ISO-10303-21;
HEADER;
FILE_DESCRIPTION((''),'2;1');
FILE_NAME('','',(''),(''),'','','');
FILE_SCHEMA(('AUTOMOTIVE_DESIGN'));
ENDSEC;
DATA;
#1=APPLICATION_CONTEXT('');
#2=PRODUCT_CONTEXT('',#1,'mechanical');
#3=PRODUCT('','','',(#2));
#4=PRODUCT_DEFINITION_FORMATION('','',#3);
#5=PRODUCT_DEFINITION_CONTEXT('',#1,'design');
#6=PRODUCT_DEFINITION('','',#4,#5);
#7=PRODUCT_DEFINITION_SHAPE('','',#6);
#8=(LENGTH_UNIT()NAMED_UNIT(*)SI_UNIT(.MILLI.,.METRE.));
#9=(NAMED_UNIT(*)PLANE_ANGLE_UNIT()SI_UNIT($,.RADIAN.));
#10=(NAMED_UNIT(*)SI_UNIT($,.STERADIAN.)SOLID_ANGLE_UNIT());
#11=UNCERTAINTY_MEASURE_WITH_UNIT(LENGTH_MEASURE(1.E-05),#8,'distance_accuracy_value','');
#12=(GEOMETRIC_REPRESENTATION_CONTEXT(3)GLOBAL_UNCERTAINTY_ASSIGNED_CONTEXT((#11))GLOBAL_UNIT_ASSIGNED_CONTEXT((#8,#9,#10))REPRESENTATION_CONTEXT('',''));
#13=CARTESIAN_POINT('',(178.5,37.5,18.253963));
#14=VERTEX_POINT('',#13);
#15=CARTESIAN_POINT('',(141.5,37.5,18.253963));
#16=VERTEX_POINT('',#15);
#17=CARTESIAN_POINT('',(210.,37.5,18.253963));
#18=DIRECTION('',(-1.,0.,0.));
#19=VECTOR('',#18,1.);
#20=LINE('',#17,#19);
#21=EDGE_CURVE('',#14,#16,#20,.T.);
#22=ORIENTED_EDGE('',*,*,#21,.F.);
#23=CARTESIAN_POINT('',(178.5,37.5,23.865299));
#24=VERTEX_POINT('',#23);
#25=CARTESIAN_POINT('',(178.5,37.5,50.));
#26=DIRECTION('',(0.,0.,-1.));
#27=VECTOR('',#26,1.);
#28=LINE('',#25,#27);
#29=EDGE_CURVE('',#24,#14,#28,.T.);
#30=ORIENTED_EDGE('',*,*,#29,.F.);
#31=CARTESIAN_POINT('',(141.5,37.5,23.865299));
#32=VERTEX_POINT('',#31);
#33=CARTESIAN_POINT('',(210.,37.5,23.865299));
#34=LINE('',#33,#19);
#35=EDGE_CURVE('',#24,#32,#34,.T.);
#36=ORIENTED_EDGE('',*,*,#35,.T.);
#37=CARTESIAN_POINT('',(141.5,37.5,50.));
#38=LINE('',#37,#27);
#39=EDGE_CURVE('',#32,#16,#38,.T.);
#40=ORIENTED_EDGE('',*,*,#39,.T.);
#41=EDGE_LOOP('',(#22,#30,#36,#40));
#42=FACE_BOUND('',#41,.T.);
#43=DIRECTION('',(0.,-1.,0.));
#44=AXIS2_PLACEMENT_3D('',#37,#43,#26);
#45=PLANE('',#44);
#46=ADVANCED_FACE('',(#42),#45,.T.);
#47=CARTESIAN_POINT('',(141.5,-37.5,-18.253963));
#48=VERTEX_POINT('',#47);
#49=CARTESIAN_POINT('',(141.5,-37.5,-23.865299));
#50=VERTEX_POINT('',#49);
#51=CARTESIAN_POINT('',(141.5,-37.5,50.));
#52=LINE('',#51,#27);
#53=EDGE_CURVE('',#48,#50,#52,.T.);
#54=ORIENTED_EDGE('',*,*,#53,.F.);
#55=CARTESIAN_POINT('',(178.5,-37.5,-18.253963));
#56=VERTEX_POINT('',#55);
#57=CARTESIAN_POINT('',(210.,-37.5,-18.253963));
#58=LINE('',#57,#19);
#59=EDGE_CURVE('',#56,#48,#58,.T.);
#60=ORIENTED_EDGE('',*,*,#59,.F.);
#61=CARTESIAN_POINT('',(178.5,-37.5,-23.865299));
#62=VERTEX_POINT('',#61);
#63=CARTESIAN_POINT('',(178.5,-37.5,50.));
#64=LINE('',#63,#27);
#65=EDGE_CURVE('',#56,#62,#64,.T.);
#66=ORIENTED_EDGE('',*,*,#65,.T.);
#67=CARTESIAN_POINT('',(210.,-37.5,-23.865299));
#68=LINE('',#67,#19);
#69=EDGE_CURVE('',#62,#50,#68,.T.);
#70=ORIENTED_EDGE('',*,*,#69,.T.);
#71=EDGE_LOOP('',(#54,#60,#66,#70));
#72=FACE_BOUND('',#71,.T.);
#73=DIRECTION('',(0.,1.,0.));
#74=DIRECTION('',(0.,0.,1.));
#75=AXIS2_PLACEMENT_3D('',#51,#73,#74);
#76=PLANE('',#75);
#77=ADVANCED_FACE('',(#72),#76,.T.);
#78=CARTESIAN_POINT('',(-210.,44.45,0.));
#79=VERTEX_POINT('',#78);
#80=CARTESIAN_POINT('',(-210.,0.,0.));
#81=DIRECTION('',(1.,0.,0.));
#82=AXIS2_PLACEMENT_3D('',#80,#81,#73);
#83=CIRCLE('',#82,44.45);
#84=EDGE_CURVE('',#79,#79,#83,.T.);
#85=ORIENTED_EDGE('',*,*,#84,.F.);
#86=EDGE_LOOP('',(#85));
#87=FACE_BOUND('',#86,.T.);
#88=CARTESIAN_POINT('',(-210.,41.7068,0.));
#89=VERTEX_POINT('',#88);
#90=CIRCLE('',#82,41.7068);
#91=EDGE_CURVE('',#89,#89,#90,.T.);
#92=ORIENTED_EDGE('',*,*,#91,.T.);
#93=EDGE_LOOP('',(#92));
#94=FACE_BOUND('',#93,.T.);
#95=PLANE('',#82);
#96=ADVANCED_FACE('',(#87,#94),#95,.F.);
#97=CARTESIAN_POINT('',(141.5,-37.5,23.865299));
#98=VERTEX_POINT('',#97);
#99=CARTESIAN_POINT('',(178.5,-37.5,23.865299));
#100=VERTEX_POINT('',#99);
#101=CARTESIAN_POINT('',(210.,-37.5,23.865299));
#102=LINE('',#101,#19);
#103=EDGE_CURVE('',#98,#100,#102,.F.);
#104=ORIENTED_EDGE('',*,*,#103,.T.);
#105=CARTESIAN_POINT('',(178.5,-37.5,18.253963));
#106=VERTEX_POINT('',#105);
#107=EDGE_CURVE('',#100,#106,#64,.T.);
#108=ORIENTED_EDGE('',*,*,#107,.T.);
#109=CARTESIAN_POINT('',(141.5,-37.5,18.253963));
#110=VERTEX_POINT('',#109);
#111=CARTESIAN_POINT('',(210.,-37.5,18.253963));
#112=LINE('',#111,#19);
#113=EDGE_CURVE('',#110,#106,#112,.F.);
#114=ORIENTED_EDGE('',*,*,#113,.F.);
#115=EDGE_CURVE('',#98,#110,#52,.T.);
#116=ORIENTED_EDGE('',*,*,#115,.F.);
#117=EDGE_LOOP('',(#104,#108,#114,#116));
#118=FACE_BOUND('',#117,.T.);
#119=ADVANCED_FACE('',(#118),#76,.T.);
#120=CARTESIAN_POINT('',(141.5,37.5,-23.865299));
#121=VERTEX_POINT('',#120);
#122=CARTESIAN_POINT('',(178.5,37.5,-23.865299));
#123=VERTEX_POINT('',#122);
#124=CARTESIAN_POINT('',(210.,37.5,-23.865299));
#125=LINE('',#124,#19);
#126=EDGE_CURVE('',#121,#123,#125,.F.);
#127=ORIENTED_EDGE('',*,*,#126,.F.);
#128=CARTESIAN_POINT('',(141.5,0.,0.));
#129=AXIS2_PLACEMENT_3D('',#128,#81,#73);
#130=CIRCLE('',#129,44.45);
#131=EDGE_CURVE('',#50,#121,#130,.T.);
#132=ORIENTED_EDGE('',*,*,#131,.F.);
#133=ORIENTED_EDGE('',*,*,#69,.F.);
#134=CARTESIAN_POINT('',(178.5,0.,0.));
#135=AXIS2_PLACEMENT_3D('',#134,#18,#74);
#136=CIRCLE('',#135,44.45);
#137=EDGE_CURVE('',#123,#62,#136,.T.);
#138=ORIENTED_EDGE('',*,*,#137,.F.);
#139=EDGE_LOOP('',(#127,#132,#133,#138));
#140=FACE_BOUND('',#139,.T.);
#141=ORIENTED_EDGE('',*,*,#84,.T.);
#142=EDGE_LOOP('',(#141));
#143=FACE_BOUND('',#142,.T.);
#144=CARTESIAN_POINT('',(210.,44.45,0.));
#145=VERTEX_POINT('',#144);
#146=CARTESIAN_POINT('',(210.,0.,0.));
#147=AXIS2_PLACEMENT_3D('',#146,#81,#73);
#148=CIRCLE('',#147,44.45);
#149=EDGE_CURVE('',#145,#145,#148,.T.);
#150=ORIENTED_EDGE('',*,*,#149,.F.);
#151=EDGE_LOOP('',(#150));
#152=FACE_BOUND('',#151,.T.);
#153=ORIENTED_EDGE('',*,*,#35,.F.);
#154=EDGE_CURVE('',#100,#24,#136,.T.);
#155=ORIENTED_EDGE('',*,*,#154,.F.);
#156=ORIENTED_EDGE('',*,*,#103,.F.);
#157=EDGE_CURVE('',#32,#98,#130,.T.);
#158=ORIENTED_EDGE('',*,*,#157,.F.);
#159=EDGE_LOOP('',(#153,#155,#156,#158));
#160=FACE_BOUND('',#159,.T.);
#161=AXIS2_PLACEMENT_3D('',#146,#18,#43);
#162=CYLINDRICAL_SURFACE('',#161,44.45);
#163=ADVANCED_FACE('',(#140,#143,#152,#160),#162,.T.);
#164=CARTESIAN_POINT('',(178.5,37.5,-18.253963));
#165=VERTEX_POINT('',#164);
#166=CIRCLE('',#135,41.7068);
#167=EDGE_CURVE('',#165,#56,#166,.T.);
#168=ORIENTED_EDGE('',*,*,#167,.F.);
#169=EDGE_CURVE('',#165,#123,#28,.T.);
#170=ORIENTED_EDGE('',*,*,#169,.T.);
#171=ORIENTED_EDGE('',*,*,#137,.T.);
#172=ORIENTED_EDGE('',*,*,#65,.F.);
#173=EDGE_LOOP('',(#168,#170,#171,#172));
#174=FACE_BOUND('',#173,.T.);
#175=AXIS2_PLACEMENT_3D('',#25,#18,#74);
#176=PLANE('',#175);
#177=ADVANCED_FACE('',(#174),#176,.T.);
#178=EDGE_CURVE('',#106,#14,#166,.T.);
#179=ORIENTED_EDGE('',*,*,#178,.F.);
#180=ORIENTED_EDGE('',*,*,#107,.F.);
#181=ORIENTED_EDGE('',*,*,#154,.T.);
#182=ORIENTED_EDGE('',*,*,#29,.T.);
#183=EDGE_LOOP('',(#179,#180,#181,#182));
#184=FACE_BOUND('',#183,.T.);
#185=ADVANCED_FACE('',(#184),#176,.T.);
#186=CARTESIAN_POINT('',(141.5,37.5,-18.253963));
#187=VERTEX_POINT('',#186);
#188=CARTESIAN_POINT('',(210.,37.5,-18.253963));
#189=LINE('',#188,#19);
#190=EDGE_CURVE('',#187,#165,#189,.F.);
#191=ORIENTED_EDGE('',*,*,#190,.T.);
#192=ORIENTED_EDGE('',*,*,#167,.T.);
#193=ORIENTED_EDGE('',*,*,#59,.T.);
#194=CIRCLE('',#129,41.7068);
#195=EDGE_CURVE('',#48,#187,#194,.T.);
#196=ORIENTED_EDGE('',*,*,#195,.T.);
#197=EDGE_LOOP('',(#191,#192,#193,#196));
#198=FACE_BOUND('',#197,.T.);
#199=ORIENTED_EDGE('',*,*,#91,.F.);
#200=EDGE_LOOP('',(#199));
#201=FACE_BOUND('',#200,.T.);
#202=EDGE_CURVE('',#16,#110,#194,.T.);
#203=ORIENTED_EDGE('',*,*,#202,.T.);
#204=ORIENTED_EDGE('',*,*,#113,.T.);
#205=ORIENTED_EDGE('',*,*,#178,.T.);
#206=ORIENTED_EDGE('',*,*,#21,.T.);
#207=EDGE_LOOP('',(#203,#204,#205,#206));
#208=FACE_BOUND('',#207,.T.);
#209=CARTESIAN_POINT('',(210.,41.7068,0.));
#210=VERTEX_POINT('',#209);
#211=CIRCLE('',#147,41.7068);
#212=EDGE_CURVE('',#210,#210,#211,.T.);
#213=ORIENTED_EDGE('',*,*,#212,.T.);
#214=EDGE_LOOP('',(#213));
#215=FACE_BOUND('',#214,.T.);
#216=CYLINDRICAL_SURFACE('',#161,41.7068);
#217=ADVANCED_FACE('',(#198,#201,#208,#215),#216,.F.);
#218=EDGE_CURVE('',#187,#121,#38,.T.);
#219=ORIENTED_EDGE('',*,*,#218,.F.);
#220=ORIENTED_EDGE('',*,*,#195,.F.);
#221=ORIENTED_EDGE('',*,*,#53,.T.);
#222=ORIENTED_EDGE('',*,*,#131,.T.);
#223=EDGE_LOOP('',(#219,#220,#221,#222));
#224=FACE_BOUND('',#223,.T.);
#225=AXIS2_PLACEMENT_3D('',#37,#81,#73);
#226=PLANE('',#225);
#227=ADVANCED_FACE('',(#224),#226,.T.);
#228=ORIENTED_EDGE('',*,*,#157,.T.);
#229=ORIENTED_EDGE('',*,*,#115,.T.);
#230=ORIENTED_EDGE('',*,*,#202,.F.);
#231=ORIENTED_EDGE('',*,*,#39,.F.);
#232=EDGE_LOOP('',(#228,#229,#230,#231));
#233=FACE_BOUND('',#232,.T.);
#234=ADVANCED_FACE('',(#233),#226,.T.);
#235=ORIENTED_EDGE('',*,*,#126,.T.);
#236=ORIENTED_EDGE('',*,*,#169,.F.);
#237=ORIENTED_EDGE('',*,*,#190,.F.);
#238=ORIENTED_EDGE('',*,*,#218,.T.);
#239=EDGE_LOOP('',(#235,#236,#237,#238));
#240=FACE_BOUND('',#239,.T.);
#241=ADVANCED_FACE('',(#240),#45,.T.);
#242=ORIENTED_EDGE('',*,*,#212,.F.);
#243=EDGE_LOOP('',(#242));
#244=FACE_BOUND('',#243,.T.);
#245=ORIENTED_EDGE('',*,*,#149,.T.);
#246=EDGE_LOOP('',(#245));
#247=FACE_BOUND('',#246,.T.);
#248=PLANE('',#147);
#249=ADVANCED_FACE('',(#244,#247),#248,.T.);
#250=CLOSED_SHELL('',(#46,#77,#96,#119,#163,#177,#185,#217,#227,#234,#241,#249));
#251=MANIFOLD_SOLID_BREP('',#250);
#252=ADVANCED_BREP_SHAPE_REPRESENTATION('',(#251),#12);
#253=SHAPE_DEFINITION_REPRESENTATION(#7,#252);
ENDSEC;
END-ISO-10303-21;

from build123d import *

# Parameters (mm, degrees)
SKETCH12_R              = 44.45
SKETCH12_R_2            = 41.7068
PIPE_0_5_SCH_40_1_DEPTH = 420
CUT_EXTRUDE1_DEPTH      = 50
CUT_EXTRUDE1_DEPTH_BACK = 50
SKETCH13_W              = 37
SKETCH13_H              = 75


with BuildPart() as part:
    # Sketch12 → Pipe 0.5 SCH 40(1) (new body)
    with BuildSketch(Plane.YZ.offset(-210)):
        Circle(SKETCH12_R)
        Circle(SKETCH12_R_2, mode=Mode.SUBTRACT)
    extrude(amount=PIPE_0_5_SCH_40_1_DEPTH)

    # Sketch13 → Cut-Extrude1 (cut, two sides: drawn at the far end of the back side and taken through both)
    with BuildSketch(Plane.XY.offset(-CUT_EXTRUDE1_DEPTH_BACK)):
        with Locations((160, 0)):
            Rectangle(SKETCH13_W, SKETCH13_H)
    extrude(amount=CUT_EXTRUDE1_DEPTH + CUT_EXTRUDE1_DEPTH_BACK, mode=Mode.SUBTRACT)


solid = part.part
